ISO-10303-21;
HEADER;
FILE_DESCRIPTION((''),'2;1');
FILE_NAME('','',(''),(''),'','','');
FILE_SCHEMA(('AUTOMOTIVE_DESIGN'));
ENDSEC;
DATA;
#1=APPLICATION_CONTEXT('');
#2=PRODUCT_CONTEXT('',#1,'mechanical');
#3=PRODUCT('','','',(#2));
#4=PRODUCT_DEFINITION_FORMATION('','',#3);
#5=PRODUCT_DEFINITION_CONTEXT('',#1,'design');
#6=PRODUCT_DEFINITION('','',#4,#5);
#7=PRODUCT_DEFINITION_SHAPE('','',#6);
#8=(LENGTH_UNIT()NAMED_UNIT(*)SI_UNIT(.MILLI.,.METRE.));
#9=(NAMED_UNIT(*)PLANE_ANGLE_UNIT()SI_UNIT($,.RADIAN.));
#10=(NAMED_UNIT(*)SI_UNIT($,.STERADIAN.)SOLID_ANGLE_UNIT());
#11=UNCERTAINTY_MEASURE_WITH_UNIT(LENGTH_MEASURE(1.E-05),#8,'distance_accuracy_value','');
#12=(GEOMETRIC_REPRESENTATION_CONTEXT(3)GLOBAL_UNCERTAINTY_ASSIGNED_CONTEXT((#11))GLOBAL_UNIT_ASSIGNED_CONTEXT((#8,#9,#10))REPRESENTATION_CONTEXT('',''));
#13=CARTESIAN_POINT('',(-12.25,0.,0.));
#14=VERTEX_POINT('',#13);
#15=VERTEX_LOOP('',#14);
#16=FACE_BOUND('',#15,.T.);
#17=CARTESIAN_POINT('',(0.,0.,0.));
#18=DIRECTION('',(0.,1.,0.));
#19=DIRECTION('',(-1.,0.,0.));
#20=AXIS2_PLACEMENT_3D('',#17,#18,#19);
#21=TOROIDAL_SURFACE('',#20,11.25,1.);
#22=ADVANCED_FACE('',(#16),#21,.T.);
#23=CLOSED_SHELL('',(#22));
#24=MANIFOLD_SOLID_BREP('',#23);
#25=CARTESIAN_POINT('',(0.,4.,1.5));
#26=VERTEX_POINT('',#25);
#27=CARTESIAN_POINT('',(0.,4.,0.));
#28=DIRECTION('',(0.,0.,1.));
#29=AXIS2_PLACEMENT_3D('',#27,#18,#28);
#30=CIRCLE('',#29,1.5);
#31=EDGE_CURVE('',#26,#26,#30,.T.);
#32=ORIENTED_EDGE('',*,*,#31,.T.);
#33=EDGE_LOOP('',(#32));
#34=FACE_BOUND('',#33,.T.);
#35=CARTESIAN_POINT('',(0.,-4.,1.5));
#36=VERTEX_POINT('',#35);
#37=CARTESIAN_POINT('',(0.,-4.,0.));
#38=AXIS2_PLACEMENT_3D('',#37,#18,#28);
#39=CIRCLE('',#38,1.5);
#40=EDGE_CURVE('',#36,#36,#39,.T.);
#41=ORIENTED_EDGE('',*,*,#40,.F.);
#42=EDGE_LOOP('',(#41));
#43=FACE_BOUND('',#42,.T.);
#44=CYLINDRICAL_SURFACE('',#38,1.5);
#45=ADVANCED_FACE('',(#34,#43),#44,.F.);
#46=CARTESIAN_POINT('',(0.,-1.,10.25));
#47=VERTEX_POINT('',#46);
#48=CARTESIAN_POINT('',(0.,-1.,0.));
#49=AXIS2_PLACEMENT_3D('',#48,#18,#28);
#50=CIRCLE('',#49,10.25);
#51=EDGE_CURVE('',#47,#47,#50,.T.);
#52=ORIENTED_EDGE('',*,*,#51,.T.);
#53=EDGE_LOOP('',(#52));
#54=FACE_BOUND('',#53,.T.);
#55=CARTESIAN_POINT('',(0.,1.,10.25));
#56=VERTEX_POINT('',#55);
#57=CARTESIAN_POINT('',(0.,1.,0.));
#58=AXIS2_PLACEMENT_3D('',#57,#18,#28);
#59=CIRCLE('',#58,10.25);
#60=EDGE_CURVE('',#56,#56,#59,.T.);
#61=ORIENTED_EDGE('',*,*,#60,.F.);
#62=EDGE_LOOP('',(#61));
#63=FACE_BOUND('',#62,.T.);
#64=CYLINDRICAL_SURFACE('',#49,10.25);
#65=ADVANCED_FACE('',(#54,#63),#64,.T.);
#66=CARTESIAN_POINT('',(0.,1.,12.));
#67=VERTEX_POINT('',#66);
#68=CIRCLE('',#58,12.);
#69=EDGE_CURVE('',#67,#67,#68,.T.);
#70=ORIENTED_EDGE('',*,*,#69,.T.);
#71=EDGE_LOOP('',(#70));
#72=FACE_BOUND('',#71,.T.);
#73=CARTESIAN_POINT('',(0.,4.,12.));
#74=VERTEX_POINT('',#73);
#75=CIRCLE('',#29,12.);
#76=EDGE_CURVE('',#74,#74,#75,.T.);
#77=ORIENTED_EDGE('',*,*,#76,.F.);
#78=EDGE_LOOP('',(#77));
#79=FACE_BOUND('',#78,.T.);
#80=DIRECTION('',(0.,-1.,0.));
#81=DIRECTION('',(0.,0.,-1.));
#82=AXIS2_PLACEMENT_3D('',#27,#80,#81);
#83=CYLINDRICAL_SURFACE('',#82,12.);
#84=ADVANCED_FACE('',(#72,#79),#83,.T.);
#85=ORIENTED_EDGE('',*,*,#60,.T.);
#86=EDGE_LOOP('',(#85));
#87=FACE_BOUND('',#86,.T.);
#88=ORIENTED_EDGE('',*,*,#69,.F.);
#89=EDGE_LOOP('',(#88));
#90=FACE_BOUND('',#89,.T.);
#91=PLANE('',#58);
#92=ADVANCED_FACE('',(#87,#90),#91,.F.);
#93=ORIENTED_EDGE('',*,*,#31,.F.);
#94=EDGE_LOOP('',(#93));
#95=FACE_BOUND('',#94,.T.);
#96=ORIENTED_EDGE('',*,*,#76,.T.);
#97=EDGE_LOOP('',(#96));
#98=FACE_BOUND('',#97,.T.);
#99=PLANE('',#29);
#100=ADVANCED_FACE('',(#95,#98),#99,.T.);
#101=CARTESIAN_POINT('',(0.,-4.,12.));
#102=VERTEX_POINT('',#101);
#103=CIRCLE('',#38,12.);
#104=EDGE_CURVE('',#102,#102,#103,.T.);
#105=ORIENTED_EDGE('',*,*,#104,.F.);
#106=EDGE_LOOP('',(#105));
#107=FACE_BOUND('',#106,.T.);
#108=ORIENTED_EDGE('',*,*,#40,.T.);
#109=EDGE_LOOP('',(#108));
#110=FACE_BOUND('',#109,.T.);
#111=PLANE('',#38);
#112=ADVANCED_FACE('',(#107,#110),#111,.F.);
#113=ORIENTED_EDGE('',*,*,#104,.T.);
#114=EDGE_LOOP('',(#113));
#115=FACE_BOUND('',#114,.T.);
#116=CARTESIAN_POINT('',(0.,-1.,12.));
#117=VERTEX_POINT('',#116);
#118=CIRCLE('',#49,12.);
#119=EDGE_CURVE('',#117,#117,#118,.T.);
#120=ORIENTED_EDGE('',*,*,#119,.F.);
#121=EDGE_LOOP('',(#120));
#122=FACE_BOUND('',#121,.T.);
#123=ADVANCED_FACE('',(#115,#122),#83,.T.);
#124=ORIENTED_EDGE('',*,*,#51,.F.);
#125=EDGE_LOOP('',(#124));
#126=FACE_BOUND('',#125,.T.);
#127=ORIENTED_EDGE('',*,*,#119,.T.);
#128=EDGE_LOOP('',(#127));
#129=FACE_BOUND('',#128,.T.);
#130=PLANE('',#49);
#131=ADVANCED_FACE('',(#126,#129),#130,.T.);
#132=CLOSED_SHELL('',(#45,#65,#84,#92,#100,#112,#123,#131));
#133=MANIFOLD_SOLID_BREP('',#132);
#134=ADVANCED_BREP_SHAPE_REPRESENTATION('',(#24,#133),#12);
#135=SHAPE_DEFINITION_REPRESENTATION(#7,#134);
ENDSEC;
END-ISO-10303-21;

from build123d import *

# Parameters (mm, degrees)
SKETCH1_R           = 12
BOSS_EXTRUDE1_DEPTH = 4
SKETCH2_R           = 12
SKETCH2_R_2         = 10.25
CUT_EXTRUDE1_DEPTH  = 1
SKETCH3_R           = 1
SKETCH4_R           = 1.5
CUT_EXTRUDE2_DEPTH  = 20.082059766


with BuildPart() as part:
    # Sketch1 → Boss-Extrude1 (new, symmetric)
    with BuildSketch(Plane(origin=(0, 0, 0), x_dir=(1, 0, 0), z_dir=(0, 1, 0))):
        with Locations(Location((0, 0, 0), (0, 0, 270))):
            Circle(SKETCH1_R)
    extrude(amount=BOSS_EXTRUDE1_DEPTH, both=True)

    # Sketch2 → Cut-Extrude1 (cut, symmetric)
    with BuildSketch(Plane(origin=(0, 0, 0), x_dir=(1, 0, 0), z_dir=(0, 1, 0))):
        with Locations(Location((0, 0, 0), (0, 0, 270))):
            Circle(SKETCH2_R)
        with Locations(Location((0, 0, 0), (0, 0, 270))):
            Circle(SKETCH2_R_2, mode=Mode.SUBTRACT)
    extrude(amount=CUT_EXTRUDE1_DEPTH, both=True, mode=Mode.SUBTRACT)

    # Sketch4 → Cut-Extrude2 (cut, through all)
    with BuildSketch(Plane(origin=(0, 4, 0), x_dir=(1, 0, 0), z_dir=(0, 1, 0))):
        with Locations(Location((0, 0, 0), (0, 0, 270))):
            Circle(SKETCH4_R)
    extrude(amount=-CUT_EXTRUDE2_DEPTH, mode=Mode.SUBTRACT)


with BuildPart() as body_2:
    # Sketch3 → Revolve1 (revolve)
    with BuildSketch(Plane.XY):
        with Locations((-11.25, 0)):
            Circle(SKETCH3_R)
    revolve(axis=Axis((0, 4, 0), (0, -1, 0)))


solid = Compound([part.part, body_2.part])
